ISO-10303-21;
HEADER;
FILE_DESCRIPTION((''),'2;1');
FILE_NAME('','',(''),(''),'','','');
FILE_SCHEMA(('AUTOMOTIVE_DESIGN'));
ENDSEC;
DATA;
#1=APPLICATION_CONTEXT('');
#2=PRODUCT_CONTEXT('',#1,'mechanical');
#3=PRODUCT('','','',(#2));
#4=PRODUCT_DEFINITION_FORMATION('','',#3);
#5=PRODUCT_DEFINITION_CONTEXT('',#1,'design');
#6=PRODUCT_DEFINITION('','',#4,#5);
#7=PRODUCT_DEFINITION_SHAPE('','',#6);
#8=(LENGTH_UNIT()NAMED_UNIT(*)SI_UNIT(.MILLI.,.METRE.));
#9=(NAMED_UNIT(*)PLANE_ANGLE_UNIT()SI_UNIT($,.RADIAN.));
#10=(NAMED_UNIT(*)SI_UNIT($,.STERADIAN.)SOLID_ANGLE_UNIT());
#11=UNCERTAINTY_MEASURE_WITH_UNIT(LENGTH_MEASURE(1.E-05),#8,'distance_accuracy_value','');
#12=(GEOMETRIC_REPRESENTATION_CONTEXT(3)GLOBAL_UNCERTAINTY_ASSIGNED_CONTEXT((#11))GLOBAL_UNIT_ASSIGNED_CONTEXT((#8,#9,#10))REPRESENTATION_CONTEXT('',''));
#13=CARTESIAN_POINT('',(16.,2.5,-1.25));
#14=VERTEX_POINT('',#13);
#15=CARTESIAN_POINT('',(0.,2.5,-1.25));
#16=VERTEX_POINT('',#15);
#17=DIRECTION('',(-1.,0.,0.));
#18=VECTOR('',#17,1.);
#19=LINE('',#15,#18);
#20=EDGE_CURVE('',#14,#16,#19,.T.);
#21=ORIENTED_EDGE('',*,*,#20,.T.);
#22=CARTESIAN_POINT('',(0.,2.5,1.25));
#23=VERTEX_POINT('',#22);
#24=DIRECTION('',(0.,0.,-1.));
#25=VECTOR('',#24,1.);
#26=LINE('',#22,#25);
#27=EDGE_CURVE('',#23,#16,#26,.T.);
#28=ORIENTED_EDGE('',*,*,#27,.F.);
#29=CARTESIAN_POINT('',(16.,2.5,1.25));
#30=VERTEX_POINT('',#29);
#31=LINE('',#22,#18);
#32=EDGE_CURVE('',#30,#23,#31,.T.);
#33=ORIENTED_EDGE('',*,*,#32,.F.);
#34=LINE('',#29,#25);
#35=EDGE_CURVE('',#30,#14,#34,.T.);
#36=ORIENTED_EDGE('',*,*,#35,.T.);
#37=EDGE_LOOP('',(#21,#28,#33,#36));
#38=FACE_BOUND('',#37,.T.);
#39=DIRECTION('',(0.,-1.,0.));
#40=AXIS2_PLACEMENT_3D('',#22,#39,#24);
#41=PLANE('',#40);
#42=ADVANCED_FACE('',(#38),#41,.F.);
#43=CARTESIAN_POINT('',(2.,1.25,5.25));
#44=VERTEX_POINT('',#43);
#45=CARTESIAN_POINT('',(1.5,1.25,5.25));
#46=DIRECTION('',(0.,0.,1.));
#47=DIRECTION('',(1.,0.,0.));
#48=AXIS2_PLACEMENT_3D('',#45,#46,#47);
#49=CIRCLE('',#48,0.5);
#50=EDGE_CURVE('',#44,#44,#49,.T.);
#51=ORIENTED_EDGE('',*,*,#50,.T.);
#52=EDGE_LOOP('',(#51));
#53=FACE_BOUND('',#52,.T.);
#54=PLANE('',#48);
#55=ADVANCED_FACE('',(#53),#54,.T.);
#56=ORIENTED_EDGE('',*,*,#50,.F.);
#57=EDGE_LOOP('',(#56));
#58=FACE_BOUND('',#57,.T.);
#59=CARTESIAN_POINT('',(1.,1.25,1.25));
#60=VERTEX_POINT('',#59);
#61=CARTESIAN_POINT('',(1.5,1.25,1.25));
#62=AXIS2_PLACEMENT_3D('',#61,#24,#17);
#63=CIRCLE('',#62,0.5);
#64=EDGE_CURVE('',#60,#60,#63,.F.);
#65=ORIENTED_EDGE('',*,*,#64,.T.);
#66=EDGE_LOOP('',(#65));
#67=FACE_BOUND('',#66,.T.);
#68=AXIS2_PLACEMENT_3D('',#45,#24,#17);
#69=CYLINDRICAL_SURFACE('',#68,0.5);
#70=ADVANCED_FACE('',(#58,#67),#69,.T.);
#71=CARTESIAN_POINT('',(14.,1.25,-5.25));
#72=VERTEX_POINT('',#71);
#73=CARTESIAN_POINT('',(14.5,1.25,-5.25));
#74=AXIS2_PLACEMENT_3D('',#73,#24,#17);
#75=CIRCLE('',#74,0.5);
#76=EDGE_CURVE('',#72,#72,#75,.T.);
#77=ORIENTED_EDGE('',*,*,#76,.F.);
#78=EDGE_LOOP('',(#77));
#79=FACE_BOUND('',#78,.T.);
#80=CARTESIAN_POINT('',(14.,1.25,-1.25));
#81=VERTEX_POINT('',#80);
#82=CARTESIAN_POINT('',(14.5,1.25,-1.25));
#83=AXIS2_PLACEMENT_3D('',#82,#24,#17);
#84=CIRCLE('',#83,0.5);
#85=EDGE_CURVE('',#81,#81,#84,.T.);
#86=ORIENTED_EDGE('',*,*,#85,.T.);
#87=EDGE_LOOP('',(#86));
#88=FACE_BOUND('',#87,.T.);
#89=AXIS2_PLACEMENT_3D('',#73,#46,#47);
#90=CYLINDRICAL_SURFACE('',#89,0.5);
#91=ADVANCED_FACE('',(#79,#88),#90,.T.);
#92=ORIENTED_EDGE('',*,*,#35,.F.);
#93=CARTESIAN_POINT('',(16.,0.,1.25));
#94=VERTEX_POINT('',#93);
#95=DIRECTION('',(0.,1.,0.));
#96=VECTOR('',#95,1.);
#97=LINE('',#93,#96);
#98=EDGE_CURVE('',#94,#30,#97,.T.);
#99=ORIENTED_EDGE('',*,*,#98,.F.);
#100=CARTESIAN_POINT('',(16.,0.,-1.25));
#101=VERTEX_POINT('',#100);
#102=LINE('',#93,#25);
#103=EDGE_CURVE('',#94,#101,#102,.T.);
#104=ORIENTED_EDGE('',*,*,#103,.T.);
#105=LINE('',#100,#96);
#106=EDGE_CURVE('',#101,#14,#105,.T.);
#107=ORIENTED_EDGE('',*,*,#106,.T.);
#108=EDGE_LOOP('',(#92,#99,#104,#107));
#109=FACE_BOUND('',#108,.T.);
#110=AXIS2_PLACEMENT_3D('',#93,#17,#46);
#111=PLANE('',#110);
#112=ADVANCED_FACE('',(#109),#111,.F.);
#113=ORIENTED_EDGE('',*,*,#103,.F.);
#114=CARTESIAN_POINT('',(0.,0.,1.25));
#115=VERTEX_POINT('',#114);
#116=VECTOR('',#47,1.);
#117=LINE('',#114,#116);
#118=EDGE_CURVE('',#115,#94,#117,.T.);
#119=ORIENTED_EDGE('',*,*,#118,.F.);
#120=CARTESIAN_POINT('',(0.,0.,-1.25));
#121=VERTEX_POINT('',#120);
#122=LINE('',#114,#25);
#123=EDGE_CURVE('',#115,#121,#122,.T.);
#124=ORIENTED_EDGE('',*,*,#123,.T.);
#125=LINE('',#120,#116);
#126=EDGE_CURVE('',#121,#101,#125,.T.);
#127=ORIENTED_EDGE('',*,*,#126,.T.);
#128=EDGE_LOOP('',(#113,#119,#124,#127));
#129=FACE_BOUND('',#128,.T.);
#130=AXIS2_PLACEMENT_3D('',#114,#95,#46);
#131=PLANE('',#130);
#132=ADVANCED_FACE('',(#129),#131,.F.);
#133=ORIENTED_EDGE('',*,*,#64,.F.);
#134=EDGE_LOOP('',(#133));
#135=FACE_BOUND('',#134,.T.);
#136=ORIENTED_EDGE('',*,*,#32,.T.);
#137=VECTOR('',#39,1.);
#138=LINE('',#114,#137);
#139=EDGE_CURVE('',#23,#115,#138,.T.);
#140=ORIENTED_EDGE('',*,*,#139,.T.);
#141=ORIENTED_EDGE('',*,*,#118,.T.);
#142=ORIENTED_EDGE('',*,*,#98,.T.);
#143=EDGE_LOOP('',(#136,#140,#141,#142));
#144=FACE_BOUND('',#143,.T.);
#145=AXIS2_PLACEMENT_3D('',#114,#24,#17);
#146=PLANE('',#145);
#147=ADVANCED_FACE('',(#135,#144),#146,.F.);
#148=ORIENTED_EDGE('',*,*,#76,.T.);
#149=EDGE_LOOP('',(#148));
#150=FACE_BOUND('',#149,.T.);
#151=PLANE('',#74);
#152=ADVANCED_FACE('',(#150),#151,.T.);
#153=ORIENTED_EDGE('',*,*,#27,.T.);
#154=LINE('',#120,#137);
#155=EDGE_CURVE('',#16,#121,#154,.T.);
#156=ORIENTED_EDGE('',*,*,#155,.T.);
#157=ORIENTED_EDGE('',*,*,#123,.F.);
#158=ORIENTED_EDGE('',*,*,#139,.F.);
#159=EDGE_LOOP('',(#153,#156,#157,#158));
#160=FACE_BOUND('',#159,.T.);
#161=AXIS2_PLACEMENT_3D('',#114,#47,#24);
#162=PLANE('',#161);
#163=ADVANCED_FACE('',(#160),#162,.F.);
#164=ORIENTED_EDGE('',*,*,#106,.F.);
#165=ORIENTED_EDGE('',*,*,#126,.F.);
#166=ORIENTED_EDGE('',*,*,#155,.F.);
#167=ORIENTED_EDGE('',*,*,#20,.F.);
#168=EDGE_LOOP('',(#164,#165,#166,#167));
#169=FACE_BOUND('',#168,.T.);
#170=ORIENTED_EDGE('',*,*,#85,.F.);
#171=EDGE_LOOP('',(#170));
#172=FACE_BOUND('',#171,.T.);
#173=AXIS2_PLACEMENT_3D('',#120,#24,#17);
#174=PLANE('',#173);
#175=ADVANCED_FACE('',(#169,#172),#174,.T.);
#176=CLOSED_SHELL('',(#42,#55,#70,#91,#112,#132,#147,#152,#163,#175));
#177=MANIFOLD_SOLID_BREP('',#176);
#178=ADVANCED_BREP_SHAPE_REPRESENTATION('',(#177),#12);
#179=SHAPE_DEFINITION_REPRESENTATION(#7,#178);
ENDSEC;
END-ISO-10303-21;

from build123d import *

# Parameters (mm, degrees)
SKETCH1_W           = 16
SKETCH1_H           = 2.5
BOSS_EXTRUDE1_DEPTH = 1.25
SKETCH2_R           = 0.5
BOSS_EXTRUDE2_DEPTH = 4
SKETCH3_R           = 0.5
BOSS_EXTRUDE3_DEPTH = 4


with BuildPart() as part:
    # Sketch1 → Boss-Extrude1 (new body, symmetric)
    with BuildSketch(Plane.XY):
        with Locations((8, 1.25)):
            Rectangle(SKETCH1_W, SKETCH1_H)
    extrude(amount=BOSS_EXTRUDE1_DEPTH, both=True)

    # Sketch2 → Boss-Extrude2 (add)
    with BuildSketch(Plane.XY.offset(1.25)):
        with Locations((1.5, 1.25)):
            Circle(SKETCH2_R)
    extrude(amount=BOSS_EXTRUDE2_DEPTH)

    # Sketch3 → Boss-Extrude3 (add)
    with BuildSketch(Plane(origin=(0, 0, -1.25), x_dir=(-1, 0, 0), z_dir=(0, 0, -1))):
        with Locations((-14.5, 1.25)):
            Circle(SKETCH3_R)
    extrude(amount=BOSS_EXTRUDE3_DEPTH)


solid = part.part
